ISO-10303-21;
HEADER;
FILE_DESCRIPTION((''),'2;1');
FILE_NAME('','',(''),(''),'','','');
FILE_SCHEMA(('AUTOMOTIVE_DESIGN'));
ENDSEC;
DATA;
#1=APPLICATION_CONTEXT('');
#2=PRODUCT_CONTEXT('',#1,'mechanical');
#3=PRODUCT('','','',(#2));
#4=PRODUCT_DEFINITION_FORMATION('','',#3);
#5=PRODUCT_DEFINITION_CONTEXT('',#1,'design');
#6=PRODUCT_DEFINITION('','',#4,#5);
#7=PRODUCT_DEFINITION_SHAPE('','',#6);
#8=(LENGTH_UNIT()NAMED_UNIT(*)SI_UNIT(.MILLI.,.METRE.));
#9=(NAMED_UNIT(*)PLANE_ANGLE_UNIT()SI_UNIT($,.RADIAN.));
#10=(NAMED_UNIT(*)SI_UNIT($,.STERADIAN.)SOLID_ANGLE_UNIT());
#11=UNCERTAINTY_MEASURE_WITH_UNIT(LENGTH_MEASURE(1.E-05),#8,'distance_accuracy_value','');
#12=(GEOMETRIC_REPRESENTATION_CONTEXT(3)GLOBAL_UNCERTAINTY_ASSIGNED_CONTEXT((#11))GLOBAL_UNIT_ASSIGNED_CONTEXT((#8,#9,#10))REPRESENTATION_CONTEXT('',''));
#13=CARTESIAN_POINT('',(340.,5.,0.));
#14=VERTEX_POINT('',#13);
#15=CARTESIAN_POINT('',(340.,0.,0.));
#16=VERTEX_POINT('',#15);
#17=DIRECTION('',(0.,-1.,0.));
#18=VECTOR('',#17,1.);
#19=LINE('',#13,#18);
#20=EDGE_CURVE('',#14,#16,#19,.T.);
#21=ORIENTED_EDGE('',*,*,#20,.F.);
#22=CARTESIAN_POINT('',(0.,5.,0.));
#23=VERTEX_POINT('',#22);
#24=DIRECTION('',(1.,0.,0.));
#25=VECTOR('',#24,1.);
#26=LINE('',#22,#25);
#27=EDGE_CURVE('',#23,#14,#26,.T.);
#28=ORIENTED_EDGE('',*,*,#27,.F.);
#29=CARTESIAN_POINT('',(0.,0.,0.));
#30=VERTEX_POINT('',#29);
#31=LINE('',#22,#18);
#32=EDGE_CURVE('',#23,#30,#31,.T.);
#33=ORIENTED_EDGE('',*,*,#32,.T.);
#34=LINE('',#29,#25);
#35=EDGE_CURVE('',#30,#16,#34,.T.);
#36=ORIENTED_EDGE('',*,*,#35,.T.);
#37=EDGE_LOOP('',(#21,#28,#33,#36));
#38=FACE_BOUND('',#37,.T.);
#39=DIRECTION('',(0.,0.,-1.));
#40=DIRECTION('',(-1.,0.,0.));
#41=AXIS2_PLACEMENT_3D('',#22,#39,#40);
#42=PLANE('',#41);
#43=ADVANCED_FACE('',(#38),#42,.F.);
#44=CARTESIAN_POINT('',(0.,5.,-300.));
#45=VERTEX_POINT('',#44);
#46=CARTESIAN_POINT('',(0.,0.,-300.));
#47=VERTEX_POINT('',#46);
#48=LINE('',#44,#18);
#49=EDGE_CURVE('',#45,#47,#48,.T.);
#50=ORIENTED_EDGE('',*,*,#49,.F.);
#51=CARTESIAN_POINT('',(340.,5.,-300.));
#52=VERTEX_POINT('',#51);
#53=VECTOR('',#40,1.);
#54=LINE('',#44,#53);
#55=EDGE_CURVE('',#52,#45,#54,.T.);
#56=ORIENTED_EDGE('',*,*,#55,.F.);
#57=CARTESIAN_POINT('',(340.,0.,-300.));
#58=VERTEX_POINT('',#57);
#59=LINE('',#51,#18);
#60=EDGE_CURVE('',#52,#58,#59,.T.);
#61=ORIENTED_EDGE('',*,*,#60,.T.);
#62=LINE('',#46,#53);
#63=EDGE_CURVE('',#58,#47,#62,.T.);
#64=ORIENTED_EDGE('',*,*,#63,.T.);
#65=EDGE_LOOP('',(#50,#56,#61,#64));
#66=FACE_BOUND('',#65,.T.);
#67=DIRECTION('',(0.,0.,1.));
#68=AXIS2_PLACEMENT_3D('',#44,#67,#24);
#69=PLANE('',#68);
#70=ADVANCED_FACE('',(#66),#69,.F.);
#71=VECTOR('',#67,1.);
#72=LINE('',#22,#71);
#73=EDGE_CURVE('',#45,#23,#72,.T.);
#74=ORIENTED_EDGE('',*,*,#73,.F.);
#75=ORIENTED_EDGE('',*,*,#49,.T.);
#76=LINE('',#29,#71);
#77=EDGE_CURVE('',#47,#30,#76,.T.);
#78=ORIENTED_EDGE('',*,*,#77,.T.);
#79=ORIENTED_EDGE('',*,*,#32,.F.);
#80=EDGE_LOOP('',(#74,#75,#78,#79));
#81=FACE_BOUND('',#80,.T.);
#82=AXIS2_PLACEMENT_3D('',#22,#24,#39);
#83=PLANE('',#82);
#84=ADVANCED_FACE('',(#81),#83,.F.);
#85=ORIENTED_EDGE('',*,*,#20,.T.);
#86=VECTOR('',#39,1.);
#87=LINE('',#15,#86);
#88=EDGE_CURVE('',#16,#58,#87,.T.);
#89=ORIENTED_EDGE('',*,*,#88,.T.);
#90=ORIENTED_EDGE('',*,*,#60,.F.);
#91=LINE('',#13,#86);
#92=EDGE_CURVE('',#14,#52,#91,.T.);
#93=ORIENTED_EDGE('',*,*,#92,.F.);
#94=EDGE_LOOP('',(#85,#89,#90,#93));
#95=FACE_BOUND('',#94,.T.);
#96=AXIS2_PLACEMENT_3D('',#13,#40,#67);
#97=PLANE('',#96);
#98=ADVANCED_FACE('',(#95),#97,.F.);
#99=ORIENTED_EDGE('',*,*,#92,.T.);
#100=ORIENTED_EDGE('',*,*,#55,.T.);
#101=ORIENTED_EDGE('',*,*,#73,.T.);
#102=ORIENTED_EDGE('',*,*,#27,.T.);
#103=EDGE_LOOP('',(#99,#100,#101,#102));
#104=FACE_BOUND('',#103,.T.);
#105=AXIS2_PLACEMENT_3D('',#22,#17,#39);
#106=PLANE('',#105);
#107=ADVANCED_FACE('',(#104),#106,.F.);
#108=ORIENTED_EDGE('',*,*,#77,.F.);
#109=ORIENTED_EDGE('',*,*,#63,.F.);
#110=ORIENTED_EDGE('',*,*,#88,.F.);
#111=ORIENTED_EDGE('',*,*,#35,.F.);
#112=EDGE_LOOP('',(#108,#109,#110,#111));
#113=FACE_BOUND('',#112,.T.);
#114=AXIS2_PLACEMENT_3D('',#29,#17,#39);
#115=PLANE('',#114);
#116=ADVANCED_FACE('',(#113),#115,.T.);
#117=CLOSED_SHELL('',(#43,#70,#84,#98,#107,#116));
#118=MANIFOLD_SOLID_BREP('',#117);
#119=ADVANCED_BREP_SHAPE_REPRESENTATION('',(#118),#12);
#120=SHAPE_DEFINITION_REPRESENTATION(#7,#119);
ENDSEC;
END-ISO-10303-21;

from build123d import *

# Parameters (mm, degrees)
SKETCH_1_W      = 340
SKETCH_1_H      = 300
EXTRUDE_1_DEPTH = 5


with BuildPart() as part:
    # 스케치1 → 보스-돌출1 (new body)
    with BuildSketch(Plane(origin=(0, 0, 0), x_dir=(1, 0, 0), z_dir=(0, 1, 0))):
        with Locations((170, 150)):
            Rectangle(SKETCH_1_W, SKETCH_1_H)
    extrude(amount=EXTRUDE_1_DEPTH)


solid = part.part
